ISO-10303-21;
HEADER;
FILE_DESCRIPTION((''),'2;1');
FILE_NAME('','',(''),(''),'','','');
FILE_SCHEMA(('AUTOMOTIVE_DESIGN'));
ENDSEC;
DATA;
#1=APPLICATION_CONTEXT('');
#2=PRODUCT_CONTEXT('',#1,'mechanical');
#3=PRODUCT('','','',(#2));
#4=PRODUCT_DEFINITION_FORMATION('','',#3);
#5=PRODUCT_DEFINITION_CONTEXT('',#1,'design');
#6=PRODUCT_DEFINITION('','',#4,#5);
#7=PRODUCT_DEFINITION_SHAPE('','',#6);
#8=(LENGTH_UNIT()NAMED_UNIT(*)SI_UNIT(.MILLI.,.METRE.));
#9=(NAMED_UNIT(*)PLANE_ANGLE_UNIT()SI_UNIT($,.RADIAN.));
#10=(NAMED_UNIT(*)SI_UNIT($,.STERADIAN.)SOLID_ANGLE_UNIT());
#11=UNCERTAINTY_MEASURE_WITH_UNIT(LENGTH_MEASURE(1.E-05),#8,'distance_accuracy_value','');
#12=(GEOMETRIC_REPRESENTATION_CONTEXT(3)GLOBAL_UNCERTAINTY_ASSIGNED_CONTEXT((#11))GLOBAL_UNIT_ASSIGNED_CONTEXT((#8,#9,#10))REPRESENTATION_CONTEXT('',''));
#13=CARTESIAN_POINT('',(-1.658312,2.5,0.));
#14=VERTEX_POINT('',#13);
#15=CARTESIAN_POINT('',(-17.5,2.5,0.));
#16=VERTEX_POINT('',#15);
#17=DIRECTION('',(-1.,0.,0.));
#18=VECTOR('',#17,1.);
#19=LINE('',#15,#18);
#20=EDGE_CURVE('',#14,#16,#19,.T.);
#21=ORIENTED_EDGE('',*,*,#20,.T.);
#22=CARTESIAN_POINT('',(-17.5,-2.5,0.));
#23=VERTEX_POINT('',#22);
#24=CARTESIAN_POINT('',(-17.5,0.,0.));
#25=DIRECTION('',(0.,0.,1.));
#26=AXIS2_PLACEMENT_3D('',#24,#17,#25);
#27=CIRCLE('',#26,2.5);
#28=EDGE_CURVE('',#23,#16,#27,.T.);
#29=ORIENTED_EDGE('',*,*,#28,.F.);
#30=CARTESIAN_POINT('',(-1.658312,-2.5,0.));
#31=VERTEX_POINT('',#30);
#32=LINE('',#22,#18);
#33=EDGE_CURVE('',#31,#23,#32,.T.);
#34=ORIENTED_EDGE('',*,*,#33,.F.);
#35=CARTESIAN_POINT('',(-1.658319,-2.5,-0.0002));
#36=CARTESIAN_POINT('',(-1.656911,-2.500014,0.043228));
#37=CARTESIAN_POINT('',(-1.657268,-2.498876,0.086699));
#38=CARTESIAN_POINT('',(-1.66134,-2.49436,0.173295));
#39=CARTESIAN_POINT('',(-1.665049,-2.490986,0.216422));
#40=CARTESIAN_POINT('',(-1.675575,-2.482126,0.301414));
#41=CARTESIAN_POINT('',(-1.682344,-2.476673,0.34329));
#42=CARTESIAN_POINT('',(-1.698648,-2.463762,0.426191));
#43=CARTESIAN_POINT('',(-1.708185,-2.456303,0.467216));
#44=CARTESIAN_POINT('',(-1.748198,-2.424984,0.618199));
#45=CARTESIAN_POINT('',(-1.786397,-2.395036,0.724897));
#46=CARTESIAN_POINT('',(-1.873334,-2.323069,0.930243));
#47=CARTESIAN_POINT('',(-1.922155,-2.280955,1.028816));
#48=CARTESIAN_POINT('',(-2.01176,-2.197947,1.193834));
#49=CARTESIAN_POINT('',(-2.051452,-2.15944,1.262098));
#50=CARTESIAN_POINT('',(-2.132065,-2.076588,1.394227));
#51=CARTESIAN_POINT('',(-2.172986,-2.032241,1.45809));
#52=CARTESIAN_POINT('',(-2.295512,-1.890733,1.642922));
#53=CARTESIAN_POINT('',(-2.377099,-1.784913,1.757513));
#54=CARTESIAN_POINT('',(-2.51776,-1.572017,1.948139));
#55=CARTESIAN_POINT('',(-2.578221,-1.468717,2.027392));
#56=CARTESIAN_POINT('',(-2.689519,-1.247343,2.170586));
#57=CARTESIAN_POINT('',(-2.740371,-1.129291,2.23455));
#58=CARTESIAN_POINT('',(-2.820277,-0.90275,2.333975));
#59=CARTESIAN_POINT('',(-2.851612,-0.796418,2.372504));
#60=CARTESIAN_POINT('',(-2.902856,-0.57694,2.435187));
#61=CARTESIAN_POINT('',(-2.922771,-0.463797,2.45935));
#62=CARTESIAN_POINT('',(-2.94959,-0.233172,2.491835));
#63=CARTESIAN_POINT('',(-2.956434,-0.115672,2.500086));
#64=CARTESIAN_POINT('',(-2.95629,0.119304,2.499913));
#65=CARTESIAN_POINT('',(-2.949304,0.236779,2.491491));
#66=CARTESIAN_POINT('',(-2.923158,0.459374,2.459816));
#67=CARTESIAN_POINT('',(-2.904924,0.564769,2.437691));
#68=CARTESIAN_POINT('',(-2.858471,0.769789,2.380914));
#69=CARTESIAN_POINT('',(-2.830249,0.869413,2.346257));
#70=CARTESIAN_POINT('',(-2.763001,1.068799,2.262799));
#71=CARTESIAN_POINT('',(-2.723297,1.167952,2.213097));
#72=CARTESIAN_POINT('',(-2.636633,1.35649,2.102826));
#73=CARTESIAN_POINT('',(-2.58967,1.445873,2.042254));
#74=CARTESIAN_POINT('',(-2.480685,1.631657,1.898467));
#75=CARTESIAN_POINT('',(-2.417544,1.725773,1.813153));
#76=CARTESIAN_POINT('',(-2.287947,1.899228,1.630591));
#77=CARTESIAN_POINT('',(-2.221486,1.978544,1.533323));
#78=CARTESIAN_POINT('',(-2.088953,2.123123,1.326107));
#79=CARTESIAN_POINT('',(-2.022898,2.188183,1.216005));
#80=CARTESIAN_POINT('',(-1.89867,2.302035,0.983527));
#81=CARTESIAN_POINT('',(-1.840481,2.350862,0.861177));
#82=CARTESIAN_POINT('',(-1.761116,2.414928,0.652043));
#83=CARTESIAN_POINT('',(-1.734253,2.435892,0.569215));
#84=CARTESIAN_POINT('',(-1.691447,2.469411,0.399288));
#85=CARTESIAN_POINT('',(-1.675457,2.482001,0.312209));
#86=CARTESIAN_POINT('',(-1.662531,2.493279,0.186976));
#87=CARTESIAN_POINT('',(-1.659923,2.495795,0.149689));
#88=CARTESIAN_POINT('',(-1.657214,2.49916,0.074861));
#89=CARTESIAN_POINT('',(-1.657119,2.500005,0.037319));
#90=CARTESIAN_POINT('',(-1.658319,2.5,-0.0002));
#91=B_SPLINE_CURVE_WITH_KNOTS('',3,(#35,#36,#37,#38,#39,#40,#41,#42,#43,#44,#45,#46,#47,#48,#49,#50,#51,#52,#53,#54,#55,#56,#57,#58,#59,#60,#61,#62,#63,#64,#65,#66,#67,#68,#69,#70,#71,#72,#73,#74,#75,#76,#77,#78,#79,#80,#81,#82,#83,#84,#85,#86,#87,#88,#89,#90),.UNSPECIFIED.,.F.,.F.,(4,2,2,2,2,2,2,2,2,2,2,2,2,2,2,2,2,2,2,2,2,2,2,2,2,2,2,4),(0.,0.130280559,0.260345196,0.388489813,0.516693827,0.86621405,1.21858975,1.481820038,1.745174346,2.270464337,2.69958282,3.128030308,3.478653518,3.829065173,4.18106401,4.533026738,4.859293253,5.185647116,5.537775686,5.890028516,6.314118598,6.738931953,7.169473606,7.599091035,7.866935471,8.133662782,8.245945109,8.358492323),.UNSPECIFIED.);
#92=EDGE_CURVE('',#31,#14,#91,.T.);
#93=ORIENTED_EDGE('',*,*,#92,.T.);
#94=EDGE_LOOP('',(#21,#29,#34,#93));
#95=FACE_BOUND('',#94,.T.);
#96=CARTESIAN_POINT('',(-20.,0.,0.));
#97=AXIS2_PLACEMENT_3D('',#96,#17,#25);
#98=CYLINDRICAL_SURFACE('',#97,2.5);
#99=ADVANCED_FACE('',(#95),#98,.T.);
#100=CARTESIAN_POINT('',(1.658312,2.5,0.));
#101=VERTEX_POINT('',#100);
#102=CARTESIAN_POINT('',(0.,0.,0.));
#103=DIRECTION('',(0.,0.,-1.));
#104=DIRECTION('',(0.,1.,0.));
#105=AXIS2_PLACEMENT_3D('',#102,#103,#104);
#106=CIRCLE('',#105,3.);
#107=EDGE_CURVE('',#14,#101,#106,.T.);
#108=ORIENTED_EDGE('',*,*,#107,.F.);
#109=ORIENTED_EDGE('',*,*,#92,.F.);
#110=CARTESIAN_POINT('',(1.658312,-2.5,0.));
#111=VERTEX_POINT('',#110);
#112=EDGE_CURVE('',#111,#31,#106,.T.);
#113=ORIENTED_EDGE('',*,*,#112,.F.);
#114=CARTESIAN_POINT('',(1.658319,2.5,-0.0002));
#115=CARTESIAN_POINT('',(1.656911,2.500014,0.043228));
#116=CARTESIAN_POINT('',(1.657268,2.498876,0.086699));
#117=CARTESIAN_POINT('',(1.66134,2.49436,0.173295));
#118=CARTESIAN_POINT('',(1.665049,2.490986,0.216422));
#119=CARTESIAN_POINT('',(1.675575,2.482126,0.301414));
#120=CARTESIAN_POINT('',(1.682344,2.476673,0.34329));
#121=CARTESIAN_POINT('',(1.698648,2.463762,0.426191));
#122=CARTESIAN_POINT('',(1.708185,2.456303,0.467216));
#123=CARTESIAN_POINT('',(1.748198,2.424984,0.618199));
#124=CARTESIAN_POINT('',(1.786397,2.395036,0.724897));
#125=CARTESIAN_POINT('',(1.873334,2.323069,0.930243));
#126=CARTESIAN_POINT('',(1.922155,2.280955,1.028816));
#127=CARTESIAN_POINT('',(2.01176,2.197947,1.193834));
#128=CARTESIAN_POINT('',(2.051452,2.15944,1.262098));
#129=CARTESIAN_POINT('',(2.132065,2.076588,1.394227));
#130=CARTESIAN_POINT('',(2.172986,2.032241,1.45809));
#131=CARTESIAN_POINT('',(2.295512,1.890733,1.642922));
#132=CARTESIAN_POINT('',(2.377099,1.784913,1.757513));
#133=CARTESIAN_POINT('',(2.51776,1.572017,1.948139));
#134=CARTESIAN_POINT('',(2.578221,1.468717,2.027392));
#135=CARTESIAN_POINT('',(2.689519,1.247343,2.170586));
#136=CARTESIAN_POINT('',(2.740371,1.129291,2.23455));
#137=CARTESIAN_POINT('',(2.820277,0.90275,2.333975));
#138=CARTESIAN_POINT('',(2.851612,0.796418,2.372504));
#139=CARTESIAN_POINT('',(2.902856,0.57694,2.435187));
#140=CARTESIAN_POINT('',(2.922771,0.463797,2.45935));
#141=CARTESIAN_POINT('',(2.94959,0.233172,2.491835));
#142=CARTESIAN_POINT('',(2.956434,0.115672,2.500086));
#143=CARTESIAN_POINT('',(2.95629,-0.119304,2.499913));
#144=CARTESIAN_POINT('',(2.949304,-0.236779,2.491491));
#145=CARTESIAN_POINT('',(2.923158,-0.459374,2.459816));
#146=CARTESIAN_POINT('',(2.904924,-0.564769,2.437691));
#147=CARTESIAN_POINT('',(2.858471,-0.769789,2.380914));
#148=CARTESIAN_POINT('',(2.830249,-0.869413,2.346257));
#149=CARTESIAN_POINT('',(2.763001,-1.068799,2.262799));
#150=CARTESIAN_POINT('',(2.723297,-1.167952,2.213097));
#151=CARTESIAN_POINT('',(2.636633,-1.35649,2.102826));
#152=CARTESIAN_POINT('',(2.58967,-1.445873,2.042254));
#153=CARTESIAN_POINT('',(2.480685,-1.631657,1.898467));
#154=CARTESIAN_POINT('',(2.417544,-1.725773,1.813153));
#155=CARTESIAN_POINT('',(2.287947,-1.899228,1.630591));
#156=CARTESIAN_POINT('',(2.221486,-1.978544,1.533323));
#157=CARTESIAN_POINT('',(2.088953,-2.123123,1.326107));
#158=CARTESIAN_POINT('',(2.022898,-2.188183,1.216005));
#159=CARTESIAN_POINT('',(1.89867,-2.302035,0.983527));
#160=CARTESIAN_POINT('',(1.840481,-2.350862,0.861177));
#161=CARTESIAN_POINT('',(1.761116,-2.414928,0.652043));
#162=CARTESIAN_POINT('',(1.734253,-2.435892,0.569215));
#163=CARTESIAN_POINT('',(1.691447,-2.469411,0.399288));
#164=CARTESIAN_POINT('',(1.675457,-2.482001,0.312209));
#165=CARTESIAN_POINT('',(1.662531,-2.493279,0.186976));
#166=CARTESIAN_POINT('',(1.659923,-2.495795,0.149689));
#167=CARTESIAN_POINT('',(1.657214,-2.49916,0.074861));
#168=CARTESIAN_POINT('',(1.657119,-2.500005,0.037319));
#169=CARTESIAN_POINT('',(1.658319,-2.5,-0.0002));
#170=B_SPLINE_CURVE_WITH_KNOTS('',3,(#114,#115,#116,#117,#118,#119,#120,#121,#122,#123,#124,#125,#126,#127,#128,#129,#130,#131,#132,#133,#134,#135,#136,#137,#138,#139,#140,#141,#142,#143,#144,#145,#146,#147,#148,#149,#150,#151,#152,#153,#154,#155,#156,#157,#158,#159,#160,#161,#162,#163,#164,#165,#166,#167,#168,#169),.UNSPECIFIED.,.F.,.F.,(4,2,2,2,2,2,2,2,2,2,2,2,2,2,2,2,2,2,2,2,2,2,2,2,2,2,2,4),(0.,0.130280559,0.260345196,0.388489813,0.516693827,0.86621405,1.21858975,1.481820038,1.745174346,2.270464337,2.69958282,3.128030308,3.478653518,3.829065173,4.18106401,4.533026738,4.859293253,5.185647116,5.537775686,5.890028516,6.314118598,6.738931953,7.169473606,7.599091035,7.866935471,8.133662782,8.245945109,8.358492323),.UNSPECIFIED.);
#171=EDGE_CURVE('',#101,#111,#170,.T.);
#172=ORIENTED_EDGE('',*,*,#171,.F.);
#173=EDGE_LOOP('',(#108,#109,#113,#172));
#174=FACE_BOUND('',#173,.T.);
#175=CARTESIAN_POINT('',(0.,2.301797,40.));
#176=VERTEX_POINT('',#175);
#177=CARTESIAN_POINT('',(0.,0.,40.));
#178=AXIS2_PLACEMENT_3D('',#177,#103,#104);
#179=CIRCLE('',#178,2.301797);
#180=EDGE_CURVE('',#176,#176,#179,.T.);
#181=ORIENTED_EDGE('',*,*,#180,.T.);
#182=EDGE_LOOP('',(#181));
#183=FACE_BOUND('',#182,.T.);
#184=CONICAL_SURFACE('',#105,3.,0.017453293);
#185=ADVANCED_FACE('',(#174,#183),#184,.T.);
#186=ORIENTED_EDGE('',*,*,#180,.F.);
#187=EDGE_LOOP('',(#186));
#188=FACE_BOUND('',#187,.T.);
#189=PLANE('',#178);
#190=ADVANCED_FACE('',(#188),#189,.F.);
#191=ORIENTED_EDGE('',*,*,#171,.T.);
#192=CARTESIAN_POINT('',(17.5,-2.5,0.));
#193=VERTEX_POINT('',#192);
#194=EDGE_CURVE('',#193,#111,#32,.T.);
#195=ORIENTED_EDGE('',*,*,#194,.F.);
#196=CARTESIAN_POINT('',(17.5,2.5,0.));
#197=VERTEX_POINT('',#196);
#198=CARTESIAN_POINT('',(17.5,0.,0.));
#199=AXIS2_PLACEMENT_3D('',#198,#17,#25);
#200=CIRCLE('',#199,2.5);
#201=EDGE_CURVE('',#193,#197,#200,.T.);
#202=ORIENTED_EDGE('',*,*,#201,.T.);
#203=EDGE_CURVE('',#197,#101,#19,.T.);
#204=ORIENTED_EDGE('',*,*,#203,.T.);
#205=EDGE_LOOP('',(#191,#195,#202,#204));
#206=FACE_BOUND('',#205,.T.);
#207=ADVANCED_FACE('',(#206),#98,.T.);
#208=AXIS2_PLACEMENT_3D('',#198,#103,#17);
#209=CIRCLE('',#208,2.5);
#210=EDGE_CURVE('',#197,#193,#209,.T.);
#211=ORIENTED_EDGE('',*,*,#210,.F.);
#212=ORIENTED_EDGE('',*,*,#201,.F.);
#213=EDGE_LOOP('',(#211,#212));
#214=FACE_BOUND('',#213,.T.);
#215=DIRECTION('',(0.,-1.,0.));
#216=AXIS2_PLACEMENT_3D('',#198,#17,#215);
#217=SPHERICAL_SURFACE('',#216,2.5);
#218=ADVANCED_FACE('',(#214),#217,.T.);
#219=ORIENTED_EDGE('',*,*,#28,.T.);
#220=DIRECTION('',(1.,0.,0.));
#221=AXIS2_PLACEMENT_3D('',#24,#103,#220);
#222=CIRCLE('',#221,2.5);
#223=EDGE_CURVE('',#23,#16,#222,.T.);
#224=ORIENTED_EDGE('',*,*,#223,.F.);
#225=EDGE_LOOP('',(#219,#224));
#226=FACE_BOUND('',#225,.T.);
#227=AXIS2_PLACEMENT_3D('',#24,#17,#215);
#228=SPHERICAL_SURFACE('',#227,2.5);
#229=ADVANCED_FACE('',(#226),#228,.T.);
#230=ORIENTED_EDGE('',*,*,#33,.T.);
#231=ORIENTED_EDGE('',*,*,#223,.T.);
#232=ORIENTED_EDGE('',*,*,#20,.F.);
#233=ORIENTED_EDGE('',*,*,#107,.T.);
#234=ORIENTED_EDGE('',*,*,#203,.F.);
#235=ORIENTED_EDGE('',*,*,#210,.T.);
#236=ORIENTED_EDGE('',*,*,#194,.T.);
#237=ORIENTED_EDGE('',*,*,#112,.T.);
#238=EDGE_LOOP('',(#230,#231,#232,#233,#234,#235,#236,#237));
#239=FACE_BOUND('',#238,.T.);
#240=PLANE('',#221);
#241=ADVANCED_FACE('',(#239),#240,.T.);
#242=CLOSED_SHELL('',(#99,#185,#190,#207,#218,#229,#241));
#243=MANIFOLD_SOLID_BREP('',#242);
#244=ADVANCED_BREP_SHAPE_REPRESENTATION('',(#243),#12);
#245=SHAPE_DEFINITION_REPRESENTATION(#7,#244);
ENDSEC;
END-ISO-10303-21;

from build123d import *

# Parameters (mm, degrees)
REVOLVE1_ANGLE = 180
SKETCH2_R      = 3
EXTRUDE1_DEPTH = 40
EXTRUDE1_TAPER = 1


with BuildPart() as part:
    # Sketch1 → Revolve1 (revolve)
    with BuildSketch(Plane.XY):
        with BuildLine():
            Line((-20, 0), (20, 0))
            ThreePointArc((20, 0), (19.267766953, 1.767766953), (17.5, 2.5))
            Line((17.5, 2.5), (-17.5, 2.5))
            ThreePointArc((-17.5, 2.5), (-19.267766953, 1.767766953), (-20, 0))
        make_face()
    revolve(axis=Axis((-20, 0, 0), (1, 0, 0)), revolution_arc=REVOLVE1_ANGLE)

    # Sketch2 → Extrude1 (add)
    with BuildSketch(Plane(origin=(0, 0, 0), x_dir=(-1, 0, 0), z_dir=(0, 0, -1))):
        Circle(SKETCH2_R)
    extrude(amount=-EXTRUDE1_DEPTH, taper=EXTRUDE1_TAPER)


solid = part.part
